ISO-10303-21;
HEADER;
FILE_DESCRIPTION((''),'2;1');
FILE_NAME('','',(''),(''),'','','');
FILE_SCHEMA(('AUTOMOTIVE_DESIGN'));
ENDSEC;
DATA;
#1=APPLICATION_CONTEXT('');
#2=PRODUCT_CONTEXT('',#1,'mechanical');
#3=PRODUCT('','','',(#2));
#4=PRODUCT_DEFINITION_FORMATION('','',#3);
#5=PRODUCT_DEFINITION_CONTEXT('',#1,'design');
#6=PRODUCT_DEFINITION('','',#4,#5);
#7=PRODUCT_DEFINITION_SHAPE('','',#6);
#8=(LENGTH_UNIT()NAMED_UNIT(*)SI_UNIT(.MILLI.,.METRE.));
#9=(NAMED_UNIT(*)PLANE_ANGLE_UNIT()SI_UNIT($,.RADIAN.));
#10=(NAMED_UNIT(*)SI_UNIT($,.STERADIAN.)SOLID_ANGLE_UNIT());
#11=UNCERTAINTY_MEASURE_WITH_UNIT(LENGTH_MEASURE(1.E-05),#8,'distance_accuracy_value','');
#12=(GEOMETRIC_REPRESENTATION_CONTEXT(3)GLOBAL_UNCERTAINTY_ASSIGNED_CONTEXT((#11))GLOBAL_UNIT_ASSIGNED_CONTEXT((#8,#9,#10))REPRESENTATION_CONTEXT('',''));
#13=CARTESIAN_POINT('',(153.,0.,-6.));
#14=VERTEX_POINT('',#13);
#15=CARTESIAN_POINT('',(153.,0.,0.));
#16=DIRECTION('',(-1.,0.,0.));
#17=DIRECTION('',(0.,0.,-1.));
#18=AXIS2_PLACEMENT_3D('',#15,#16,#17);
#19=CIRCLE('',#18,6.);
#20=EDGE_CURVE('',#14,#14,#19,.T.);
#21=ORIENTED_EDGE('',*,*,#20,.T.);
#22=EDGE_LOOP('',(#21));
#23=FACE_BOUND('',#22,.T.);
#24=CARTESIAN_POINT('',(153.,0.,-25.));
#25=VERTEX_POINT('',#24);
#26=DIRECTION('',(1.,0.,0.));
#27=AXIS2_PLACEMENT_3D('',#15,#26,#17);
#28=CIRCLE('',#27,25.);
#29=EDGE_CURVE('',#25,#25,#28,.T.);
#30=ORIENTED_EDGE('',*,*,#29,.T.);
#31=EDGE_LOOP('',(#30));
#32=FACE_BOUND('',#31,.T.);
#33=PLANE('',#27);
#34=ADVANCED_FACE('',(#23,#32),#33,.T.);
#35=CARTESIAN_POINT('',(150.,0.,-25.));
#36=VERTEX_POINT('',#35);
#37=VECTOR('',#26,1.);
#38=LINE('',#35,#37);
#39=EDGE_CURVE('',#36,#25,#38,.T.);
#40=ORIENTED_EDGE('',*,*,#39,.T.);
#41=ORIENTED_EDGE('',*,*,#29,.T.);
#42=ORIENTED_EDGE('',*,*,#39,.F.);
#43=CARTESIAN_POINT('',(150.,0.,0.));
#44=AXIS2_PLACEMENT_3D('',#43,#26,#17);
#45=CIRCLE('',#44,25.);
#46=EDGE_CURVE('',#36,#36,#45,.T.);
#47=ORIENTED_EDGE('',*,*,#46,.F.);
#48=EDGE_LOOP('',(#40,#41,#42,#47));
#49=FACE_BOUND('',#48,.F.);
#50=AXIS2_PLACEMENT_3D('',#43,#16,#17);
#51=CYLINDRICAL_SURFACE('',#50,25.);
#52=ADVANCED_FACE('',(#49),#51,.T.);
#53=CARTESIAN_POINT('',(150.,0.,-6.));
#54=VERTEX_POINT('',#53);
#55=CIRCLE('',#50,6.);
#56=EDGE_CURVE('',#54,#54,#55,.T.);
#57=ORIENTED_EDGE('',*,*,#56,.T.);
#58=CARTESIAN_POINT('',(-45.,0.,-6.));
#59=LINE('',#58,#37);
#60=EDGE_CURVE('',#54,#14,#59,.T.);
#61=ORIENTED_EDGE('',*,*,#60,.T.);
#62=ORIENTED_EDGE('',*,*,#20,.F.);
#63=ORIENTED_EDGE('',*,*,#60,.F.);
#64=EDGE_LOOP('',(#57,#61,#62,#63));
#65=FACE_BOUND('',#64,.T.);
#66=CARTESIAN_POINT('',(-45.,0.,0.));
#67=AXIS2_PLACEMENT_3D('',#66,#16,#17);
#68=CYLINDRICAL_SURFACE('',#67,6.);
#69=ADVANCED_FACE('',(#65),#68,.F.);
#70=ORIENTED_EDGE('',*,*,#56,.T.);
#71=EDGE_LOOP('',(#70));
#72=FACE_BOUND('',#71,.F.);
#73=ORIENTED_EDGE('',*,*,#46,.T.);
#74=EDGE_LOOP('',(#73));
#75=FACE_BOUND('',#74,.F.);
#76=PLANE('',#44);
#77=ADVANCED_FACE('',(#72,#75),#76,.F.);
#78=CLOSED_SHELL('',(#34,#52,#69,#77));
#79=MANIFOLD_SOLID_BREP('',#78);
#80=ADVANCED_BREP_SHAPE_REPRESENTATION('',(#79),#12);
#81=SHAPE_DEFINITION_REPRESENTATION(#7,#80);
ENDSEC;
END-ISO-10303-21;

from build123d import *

# Parameters (mm, degrees)
CYLINDER007_R           = 6
CYLINDER007_DEPTH       = 236
CYLINDER007_PITCH_ANGLE = 90
CYLINDER002_R           = 25
CYLINDER002_DEPTH       = 3
CYLINDER002_PITCH_ANGLE = 90


with BuildPart() as connector_bore:
    # Cylinder007 → Cylinder007 (new body)
    with BuildSketch(Plane.XY):
        Circle(CYLINDER007_R)
    extrude(amount=CYLINDER007_DEPTH)


with BuildPart() as connector_bore_1:
    # Cylinder007 pitch: moved
    add(connector_bore.part.rotate(Axis((0, 0, 0), (0, 1, 0)), CYLINDER007_PITCH_ANGLE))


with BuildPart() as connector_bore_2:
    # Cylinder007 placement: moved
    add(connector_bore_1.part.moved(Location((-45, 0, 0))))


with BuildPart() as cut005:
    # Cylinder002 → Cylinder002 (new body)
    with BuildSketch(Plane.XY):
        Circle(CYLINDER002_R)
    extrude(amount=CYLINDER002_DEPTH)


with BuildPart() as cut005_1:
    # Cylinder002 pitch: moved
    add(cut005.part.rotate(Axis((0, 0, 0), (0, 1, 0)), CYLINDER002_PITCH_ANGLE))


with BuildPart() as cut005_2:
    # Cylinder002 placement: moved
    add(cut005_1.part.moved(Location((150, 0, 0))))

    # Cut005: cut connector_bore
    add(connector_bore_2.part, mode=Mode.SUBTRACT)


solid = cut005_2.part
